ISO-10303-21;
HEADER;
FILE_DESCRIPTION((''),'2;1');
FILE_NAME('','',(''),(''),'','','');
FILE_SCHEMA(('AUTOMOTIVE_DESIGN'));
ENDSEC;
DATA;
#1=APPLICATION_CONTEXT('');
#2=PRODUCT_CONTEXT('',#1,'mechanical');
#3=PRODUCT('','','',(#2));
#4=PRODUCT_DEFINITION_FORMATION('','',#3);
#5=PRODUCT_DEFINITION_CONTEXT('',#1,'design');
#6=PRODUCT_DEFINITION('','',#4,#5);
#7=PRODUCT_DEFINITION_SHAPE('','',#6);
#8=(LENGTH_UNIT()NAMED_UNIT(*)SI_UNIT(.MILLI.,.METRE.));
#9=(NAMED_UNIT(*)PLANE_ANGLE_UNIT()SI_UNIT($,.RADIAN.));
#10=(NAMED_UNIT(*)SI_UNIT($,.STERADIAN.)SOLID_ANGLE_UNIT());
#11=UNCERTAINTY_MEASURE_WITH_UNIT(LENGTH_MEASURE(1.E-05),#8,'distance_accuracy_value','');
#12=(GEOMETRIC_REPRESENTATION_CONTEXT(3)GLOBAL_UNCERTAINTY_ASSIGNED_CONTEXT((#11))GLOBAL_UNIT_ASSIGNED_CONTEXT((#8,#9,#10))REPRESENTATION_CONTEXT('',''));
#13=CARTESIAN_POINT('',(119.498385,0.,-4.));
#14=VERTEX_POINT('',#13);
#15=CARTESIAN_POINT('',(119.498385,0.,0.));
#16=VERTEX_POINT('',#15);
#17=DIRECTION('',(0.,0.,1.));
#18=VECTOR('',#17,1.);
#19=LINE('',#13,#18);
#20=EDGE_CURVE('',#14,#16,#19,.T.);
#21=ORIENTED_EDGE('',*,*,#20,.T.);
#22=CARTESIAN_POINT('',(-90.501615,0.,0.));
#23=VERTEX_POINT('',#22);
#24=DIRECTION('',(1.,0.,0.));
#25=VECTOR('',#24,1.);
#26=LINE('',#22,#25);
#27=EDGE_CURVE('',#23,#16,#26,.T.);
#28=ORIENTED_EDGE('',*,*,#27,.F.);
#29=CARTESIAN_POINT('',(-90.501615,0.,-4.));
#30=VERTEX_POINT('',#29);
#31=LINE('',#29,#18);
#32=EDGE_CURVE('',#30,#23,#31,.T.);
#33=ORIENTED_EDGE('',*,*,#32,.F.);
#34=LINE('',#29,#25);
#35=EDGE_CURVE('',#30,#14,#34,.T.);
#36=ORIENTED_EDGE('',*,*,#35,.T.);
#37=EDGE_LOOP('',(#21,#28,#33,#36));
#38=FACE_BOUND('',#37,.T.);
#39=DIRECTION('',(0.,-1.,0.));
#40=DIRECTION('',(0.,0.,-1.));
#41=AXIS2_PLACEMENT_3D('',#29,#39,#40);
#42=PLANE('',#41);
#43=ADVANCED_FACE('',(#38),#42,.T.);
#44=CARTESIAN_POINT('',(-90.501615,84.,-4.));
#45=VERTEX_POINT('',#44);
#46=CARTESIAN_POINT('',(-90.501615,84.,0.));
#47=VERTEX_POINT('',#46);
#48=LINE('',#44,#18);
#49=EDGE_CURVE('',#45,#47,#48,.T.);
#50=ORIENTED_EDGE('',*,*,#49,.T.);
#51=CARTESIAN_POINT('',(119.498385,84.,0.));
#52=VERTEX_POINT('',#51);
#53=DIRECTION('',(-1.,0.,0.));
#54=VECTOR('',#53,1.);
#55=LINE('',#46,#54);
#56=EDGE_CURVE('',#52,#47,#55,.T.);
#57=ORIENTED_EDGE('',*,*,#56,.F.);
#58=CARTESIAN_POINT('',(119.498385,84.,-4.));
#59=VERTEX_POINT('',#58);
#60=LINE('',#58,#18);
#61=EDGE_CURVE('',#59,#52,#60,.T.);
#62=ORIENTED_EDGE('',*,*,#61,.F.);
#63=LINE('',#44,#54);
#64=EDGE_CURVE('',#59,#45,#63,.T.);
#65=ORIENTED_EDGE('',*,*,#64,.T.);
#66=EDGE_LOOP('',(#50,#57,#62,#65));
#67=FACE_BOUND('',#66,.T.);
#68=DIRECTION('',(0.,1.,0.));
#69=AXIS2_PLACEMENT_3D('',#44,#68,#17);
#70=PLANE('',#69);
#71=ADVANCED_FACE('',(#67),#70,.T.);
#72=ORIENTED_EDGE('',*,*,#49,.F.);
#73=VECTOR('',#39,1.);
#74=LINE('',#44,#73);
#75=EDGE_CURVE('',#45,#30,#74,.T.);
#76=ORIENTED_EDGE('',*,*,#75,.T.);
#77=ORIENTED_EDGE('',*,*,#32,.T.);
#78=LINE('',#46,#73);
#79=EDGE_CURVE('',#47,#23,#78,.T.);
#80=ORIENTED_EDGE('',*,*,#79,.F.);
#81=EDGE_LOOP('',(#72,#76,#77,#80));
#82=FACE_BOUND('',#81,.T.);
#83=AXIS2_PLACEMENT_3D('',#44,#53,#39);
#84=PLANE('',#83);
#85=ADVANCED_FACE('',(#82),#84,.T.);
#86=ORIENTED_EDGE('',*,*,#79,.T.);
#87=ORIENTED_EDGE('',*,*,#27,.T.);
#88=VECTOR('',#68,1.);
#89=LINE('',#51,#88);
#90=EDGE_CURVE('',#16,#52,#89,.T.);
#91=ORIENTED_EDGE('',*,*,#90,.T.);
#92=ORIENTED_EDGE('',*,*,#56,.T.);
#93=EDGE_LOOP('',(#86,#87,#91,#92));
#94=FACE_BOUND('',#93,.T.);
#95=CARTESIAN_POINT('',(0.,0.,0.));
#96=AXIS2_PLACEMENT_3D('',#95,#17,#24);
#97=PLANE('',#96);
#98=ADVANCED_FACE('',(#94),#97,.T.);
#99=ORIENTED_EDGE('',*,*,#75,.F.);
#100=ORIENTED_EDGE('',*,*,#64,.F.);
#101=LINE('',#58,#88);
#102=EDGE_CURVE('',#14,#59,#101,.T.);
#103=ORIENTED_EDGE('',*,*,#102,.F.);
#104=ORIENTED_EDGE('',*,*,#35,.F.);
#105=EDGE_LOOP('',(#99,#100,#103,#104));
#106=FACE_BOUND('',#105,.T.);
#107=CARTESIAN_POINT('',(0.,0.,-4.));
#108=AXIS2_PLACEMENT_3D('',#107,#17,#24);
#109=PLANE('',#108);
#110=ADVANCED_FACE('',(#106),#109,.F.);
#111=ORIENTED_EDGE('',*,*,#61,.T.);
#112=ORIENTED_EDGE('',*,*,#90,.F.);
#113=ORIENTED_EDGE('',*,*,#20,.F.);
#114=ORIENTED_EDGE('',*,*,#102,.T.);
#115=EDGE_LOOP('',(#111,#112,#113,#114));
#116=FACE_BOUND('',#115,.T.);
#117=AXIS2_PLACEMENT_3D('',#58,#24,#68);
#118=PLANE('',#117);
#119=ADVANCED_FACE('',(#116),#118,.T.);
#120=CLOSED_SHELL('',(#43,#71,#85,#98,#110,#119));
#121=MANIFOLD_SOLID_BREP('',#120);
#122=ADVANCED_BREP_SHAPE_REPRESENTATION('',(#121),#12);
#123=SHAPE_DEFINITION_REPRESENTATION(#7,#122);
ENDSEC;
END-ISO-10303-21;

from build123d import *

# Parameters (mm, degrees)
CROQUIS3_W              = 210
CROQUIS3_H              = 84
SALIENTE_EXTRUIR2_DEPTH = 4


with BuildPart() as part:
    # Croquis3 → Saliente-Extruir2 (new body)
    with BuildSketch(Plane.XY):
        with Locations((14.498385096, 42)):
            Rectangle(CROQUIS3_W, CROQUIS3_H)
    extrude(amount=-SALIENTE_EXTRUIR2_DEPTH)


solid = part.part
